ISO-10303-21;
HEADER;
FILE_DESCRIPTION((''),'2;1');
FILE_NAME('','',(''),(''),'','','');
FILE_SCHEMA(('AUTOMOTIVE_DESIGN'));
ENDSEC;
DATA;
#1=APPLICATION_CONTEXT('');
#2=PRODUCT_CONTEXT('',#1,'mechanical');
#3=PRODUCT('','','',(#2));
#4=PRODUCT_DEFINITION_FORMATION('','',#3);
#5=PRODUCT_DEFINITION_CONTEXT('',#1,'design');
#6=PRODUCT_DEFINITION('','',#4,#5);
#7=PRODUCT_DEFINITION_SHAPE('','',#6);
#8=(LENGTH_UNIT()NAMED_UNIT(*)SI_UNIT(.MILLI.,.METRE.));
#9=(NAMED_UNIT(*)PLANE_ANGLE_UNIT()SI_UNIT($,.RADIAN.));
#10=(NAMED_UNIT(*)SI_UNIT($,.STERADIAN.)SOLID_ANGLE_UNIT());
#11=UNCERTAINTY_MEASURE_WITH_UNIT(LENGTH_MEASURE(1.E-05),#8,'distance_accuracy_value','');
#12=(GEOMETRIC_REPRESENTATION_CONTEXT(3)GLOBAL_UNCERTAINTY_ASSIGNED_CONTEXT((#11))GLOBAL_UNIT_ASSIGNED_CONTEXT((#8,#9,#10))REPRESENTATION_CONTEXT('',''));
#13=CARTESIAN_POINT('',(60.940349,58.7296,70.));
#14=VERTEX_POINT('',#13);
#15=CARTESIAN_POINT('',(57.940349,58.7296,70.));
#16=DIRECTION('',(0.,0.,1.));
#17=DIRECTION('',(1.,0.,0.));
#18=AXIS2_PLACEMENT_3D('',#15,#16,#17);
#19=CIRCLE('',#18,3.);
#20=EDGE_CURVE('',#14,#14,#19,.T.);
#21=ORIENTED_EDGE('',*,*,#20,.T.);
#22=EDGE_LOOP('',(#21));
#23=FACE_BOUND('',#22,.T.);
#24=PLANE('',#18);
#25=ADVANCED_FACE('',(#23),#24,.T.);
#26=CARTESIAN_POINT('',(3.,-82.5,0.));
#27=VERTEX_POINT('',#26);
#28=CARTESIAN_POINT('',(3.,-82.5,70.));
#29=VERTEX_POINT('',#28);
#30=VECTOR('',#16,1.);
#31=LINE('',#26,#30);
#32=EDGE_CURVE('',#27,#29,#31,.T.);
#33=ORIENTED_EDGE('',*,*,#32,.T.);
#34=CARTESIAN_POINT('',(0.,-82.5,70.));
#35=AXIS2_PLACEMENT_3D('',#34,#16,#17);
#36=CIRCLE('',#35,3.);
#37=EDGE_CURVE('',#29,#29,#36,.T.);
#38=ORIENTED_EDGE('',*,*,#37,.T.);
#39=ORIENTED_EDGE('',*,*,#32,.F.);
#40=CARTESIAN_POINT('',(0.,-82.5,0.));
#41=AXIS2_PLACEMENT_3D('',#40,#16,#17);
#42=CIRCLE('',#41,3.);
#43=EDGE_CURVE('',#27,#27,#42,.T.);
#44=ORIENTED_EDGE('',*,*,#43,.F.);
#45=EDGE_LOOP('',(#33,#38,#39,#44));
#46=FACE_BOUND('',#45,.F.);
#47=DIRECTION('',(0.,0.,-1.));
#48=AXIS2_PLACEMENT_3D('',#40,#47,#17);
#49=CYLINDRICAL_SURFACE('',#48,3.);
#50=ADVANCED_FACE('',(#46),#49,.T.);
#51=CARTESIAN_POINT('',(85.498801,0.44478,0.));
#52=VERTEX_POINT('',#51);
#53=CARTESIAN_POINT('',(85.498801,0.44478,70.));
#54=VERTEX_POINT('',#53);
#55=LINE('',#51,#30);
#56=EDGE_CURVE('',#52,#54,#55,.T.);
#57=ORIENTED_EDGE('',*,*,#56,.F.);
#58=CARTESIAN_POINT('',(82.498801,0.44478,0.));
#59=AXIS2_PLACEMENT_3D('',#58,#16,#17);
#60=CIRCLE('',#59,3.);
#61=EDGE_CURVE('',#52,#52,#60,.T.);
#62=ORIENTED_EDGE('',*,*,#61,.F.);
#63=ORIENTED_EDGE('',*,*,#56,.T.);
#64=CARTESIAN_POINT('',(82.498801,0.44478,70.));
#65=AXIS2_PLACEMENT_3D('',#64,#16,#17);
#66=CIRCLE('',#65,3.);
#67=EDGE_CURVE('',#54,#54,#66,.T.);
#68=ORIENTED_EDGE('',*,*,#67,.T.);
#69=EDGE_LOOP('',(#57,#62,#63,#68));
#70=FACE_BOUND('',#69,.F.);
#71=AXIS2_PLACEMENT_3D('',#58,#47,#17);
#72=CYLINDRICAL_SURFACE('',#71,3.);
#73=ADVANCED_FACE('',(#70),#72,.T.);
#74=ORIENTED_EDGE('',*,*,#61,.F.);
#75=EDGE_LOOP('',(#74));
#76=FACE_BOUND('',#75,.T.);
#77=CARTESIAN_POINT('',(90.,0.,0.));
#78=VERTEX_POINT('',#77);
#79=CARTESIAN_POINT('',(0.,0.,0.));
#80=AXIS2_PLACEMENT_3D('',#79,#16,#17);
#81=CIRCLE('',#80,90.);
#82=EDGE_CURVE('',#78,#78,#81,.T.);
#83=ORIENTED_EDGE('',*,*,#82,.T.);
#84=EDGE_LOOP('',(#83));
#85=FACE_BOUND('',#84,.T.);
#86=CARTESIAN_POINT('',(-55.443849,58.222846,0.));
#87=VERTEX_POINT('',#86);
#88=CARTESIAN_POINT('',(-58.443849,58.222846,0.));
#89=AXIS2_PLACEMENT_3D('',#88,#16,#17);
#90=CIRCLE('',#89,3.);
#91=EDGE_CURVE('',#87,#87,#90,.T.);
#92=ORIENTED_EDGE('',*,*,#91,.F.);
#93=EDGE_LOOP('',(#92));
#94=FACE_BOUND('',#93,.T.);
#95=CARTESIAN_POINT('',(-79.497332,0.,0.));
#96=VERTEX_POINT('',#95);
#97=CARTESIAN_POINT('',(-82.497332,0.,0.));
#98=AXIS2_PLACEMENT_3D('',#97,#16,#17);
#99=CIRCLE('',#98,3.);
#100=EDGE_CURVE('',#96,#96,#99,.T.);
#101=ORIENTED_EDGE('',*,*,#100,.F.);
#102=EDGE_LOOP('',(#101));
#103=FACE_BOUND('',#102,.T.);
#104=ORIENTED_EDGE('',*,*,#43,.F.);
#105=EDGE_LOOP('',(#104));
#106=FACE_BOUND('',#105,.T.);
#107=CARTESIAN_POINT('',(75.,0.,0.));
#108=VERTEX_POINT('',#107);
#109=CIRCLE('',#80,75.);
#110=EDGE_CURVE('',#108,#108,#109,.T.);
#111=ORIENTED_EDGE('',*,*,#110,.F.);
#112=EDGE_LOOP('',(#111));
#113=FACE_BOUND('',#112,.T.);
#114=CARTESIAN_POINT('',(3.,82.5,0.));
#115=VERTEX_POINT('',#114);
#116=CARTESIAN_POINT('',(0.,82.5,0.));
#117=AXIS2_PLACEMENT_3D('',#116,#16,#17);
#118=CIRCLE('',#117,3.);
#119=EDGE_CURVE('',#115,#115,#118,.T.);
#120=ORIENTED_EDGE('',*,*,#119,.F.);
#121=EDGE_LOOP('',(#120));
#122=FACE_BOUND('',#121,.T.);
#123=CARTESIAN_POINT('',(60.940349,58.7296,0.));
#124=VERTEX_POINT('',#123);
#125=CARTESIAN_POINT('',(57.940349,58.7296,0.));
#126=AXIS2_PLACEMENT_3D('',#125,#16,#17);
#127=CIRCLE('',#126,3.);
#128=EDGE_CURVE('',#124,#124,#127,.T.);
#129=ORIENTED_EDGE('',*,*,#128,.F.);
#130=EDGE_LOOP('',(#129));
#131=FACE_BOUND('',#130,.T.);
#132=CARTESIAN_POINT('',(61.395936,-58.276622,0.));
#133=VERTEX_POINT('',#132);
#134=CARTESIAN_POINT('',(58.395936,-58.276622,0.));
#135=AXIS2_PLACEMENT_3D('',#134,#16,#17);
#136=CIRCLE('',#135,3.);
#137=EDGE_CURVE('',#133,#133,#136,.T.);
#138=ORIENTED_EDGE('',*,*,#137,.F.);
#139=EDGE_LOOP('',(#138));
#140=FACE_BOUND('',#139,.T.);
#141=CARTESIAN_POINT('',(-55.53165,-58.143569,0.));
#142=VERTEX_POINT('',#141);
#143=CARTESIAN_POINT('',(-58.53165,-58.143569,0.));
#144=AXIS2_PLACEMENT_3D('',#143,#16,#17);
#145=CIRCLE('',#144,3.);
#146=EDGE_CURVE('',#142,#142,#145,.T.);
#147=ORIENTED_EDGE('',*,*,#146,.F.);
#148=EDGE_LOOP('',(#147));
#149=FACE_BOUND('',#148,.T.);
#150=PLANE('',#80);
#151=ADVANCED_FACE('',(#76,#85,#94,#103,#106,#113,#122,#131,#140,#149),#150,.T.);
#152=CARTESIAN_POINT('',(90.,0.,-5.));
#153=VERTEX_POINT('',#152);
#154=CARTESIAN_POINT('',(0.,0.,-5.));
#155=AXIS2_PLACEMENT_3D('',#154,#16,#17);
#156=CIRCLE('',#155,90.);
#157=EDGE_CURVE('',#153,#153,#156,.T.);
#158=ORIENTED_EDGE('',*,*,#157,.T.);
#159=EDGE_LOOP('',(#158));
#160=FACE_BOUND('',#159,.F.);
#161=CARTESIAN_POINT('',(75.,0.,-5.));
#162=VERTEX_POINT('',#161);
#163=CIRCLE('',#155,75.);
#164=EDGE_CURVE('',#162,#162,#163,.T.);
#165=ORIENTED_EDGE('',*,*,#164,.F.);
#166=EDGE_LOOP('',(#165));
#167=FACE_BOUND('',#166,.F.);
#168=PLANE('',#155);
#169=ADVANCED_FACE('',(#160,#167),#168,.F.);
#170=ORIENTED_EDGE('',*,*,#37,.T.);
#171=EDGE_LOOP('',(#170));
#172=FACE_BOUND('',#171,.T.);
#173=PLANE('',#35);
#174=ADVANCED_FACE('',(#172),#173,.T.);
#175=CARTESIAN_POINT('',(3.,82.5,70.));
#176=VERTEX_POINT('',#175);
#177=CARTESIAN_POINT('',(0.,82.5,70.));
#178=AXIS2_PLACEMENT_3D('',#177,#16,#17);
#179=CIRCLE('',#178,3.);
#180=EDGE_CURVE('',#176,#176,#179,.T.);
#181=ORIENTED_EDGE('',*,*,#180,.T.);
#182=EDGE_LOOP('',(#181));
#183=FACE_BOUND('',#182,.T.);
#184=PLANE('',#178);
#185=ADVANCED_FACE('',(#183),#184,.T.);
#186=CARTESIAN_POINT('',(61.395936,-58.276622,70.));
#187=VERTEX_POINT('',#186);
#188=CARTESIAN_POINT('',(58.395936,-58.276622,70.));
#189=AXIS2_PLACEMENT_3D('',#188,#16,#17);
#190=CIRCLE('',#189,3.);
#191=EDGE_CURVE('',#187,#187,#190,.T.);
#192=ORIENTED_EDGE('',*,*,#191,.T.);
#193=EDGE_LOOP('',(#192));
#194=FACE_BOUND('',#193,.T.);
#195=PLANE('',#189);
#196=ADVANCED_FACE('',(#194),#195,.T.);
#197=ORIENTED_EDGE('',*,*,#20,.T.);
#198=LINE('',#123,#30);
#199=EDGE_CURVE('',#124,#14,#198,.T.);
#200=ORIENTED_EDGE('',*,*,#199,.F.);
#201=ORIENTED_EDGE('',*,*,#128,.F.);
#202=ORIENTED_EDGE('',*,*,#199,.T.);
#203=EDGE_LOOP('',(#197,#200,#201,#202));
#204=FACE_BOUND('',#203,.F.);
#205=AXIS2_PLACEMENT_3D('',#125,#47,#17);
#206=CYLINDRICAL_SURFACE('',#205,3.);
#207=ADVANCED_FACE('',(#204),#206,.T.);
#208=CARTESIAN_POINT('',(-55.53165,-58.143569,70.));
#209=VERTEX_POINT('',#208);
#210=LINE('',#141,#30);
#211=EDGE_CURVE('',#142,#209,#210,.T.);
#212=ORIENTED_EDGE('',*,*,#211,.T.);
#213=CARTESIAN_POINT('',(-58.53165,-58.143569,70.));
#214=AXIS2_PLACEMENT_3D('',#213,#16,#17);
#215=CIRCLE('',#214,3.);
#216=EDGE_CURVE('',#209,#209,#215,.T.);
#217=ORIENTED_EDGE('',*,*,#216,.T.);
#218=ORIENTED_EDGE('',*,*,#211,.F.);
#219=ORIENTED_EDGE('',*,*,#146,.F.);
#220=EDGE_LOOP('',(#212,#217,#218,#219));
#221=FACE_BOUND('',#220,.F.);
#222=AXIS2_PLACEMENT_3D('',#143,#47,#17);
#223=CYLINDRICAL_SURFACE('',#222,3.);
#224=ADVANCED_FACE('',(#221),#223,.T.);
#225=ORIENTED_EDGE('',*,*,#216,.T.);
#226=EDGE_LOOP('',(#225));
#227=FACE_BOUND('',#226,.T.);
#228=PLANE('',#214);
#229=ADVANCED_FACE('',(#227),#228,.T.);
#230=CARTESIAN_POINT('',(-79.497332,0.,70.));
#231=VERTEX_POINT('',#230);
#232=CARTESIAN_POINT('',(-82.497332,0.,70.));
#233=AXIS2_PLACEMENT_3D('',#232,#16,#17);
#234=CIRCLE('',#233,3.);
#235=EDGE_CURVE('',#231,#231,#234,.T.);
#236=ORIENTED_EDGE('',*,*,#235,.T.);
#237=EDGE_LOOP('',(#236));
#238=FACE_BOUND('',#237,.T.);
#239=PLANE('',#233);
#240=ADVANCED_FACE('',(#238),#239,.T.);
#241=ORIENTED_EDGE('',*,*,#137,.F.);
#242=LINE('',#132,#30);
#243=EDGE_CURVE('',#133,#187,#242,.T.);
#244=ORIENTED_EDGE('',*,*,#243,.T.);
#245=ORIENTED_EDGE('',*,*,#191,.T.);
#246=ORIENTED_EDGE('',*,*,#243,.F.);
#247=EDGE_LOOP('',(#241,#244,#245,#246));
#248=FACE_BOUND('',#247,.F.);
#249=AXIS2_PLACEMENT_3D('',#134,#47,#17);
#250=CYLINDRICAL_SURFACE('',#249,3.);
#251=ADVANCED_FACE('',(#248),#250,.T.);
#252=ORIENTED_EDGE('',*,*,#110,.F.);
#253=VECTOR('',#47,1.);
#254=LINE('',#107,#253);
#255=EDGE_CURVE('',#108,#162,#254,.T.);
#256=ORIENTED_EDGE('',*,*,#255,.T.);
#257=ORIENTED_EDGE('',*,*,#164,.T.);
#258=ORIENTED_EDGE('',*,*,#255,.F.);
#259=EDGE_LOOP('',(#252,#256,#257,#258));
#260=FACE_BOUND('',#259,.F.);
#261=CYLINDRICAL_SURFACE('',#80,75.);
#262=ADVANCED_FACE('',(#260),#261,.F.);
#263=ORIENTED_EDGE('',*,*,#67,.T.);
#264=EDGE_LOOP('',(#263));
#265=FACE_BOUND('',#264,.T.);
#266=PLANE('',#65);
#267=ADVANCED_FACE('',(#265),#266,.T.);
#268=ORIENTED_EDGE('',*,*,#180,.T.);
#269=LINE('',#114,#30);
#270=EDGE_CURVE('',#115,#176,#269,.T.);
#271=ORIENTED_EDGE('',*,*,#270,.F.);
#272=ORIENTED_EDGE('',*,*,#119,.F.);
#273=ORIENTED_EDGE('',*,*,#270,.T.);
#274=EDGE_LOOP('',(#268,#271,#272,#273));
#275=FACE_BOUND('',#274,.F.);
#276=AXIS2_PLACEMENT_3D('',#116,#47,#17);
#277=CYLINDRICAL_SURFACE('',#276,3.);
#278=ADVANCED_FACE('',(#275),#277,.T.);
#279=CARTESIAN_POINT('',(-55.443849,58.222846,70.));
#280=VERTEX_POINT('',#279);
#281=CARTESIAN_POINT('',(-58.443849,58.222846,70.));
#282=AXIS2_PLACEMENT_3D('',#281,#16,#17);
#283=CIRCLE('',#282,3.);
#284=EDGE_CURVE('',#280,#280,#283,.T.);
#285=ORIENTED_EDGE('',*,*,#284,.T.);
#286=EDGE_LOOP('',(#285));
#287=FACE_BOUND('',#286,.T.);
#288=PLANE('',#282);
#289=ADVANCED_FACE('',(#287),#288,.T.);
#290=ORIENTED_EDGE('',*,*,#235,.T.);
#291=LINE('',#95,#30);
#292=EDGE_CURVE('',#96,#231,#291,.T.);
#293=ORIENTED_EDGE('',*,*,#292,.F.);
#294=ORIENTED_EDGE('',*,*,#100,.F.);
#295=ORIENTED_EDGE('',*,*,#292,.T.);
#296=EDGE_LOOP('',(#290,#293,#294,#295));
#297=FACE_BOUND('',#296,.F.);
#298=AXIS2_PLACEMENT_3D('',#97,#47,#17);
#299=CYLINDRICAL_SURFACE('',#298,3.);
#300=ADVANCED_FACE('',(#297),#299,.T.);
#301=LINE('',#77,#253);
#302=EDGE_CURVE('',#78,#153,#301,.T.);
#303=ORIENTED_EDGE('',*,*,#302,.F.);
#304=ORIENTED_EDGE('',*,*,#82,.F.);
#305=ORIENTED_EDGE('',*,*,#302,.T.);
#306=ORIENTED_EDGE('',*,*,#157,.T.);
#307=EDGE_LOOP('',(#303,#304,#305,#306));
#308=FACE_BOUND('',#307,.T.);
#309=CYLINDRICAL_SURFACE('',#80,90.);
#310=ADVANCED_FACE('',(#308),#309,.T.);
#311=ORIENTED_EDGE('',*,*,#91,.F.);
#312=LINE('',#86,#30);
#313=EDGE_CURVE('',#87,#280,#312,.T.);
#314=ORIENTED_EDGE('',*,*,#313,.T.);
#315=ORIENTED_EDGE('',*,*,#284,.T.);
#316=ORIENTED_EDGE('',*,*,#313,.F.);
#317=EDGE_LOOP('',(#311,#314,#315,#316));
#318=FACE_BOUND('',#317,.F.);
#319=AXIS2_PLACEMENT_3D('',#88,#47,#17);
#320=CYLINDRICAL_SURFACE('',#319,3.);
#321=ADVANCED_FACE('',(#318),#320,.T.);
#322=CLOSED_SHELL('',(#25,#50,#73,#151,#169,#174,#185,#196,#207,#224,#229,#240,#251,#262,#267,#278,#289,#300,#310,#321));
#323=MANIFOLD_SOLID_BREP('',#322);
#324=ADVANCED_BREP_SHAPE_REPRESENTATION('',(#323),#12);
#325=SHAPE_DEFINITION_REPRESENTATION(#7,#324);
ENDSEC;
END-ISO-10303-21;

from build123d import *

# Parameters (mm, degrees)
F0_R     = 90
F0_R_2   = 75
F1_DEPTH = 5
F2_R     = 3
F3_DEPTH = 70


with BuildPart() as f1:
    # F0 (on Top) → F1 (new body)
    with BuildSketch(Plane.XY):
        Circle(F0_R)
        Circle(F0_R_2, mode=Mode.SUBTRACT)
    extrude(amount=-F1_DEPTH)

    # F2 (on Top) → F3 (join)
    with BuildSketch(Plane.XY):
        with Locations((0, 82.5)):
            Circle(F2_R)
        with Locations((57.940349, 58.7296)):
            Circle(F2_R)
        with Locations((82.498801, 0.44478)):
            Circle(F2_R)
        with Locations((58.395936, -58.276622)):
            Circle(F2_R)
        with Locations((0, -82.5)):
            Circle(F2_R)
        with Locations((-58.443849, 58.222846)):
            Circle(F2_R)
        with Locations((-82.497332, 0)):
            Circle(F2_R)
        with Locations((-58.53165, -58.143569)):
            Circle(F2_R)
    extrude(amount=F3_DEPTH)


solid = f1.part
